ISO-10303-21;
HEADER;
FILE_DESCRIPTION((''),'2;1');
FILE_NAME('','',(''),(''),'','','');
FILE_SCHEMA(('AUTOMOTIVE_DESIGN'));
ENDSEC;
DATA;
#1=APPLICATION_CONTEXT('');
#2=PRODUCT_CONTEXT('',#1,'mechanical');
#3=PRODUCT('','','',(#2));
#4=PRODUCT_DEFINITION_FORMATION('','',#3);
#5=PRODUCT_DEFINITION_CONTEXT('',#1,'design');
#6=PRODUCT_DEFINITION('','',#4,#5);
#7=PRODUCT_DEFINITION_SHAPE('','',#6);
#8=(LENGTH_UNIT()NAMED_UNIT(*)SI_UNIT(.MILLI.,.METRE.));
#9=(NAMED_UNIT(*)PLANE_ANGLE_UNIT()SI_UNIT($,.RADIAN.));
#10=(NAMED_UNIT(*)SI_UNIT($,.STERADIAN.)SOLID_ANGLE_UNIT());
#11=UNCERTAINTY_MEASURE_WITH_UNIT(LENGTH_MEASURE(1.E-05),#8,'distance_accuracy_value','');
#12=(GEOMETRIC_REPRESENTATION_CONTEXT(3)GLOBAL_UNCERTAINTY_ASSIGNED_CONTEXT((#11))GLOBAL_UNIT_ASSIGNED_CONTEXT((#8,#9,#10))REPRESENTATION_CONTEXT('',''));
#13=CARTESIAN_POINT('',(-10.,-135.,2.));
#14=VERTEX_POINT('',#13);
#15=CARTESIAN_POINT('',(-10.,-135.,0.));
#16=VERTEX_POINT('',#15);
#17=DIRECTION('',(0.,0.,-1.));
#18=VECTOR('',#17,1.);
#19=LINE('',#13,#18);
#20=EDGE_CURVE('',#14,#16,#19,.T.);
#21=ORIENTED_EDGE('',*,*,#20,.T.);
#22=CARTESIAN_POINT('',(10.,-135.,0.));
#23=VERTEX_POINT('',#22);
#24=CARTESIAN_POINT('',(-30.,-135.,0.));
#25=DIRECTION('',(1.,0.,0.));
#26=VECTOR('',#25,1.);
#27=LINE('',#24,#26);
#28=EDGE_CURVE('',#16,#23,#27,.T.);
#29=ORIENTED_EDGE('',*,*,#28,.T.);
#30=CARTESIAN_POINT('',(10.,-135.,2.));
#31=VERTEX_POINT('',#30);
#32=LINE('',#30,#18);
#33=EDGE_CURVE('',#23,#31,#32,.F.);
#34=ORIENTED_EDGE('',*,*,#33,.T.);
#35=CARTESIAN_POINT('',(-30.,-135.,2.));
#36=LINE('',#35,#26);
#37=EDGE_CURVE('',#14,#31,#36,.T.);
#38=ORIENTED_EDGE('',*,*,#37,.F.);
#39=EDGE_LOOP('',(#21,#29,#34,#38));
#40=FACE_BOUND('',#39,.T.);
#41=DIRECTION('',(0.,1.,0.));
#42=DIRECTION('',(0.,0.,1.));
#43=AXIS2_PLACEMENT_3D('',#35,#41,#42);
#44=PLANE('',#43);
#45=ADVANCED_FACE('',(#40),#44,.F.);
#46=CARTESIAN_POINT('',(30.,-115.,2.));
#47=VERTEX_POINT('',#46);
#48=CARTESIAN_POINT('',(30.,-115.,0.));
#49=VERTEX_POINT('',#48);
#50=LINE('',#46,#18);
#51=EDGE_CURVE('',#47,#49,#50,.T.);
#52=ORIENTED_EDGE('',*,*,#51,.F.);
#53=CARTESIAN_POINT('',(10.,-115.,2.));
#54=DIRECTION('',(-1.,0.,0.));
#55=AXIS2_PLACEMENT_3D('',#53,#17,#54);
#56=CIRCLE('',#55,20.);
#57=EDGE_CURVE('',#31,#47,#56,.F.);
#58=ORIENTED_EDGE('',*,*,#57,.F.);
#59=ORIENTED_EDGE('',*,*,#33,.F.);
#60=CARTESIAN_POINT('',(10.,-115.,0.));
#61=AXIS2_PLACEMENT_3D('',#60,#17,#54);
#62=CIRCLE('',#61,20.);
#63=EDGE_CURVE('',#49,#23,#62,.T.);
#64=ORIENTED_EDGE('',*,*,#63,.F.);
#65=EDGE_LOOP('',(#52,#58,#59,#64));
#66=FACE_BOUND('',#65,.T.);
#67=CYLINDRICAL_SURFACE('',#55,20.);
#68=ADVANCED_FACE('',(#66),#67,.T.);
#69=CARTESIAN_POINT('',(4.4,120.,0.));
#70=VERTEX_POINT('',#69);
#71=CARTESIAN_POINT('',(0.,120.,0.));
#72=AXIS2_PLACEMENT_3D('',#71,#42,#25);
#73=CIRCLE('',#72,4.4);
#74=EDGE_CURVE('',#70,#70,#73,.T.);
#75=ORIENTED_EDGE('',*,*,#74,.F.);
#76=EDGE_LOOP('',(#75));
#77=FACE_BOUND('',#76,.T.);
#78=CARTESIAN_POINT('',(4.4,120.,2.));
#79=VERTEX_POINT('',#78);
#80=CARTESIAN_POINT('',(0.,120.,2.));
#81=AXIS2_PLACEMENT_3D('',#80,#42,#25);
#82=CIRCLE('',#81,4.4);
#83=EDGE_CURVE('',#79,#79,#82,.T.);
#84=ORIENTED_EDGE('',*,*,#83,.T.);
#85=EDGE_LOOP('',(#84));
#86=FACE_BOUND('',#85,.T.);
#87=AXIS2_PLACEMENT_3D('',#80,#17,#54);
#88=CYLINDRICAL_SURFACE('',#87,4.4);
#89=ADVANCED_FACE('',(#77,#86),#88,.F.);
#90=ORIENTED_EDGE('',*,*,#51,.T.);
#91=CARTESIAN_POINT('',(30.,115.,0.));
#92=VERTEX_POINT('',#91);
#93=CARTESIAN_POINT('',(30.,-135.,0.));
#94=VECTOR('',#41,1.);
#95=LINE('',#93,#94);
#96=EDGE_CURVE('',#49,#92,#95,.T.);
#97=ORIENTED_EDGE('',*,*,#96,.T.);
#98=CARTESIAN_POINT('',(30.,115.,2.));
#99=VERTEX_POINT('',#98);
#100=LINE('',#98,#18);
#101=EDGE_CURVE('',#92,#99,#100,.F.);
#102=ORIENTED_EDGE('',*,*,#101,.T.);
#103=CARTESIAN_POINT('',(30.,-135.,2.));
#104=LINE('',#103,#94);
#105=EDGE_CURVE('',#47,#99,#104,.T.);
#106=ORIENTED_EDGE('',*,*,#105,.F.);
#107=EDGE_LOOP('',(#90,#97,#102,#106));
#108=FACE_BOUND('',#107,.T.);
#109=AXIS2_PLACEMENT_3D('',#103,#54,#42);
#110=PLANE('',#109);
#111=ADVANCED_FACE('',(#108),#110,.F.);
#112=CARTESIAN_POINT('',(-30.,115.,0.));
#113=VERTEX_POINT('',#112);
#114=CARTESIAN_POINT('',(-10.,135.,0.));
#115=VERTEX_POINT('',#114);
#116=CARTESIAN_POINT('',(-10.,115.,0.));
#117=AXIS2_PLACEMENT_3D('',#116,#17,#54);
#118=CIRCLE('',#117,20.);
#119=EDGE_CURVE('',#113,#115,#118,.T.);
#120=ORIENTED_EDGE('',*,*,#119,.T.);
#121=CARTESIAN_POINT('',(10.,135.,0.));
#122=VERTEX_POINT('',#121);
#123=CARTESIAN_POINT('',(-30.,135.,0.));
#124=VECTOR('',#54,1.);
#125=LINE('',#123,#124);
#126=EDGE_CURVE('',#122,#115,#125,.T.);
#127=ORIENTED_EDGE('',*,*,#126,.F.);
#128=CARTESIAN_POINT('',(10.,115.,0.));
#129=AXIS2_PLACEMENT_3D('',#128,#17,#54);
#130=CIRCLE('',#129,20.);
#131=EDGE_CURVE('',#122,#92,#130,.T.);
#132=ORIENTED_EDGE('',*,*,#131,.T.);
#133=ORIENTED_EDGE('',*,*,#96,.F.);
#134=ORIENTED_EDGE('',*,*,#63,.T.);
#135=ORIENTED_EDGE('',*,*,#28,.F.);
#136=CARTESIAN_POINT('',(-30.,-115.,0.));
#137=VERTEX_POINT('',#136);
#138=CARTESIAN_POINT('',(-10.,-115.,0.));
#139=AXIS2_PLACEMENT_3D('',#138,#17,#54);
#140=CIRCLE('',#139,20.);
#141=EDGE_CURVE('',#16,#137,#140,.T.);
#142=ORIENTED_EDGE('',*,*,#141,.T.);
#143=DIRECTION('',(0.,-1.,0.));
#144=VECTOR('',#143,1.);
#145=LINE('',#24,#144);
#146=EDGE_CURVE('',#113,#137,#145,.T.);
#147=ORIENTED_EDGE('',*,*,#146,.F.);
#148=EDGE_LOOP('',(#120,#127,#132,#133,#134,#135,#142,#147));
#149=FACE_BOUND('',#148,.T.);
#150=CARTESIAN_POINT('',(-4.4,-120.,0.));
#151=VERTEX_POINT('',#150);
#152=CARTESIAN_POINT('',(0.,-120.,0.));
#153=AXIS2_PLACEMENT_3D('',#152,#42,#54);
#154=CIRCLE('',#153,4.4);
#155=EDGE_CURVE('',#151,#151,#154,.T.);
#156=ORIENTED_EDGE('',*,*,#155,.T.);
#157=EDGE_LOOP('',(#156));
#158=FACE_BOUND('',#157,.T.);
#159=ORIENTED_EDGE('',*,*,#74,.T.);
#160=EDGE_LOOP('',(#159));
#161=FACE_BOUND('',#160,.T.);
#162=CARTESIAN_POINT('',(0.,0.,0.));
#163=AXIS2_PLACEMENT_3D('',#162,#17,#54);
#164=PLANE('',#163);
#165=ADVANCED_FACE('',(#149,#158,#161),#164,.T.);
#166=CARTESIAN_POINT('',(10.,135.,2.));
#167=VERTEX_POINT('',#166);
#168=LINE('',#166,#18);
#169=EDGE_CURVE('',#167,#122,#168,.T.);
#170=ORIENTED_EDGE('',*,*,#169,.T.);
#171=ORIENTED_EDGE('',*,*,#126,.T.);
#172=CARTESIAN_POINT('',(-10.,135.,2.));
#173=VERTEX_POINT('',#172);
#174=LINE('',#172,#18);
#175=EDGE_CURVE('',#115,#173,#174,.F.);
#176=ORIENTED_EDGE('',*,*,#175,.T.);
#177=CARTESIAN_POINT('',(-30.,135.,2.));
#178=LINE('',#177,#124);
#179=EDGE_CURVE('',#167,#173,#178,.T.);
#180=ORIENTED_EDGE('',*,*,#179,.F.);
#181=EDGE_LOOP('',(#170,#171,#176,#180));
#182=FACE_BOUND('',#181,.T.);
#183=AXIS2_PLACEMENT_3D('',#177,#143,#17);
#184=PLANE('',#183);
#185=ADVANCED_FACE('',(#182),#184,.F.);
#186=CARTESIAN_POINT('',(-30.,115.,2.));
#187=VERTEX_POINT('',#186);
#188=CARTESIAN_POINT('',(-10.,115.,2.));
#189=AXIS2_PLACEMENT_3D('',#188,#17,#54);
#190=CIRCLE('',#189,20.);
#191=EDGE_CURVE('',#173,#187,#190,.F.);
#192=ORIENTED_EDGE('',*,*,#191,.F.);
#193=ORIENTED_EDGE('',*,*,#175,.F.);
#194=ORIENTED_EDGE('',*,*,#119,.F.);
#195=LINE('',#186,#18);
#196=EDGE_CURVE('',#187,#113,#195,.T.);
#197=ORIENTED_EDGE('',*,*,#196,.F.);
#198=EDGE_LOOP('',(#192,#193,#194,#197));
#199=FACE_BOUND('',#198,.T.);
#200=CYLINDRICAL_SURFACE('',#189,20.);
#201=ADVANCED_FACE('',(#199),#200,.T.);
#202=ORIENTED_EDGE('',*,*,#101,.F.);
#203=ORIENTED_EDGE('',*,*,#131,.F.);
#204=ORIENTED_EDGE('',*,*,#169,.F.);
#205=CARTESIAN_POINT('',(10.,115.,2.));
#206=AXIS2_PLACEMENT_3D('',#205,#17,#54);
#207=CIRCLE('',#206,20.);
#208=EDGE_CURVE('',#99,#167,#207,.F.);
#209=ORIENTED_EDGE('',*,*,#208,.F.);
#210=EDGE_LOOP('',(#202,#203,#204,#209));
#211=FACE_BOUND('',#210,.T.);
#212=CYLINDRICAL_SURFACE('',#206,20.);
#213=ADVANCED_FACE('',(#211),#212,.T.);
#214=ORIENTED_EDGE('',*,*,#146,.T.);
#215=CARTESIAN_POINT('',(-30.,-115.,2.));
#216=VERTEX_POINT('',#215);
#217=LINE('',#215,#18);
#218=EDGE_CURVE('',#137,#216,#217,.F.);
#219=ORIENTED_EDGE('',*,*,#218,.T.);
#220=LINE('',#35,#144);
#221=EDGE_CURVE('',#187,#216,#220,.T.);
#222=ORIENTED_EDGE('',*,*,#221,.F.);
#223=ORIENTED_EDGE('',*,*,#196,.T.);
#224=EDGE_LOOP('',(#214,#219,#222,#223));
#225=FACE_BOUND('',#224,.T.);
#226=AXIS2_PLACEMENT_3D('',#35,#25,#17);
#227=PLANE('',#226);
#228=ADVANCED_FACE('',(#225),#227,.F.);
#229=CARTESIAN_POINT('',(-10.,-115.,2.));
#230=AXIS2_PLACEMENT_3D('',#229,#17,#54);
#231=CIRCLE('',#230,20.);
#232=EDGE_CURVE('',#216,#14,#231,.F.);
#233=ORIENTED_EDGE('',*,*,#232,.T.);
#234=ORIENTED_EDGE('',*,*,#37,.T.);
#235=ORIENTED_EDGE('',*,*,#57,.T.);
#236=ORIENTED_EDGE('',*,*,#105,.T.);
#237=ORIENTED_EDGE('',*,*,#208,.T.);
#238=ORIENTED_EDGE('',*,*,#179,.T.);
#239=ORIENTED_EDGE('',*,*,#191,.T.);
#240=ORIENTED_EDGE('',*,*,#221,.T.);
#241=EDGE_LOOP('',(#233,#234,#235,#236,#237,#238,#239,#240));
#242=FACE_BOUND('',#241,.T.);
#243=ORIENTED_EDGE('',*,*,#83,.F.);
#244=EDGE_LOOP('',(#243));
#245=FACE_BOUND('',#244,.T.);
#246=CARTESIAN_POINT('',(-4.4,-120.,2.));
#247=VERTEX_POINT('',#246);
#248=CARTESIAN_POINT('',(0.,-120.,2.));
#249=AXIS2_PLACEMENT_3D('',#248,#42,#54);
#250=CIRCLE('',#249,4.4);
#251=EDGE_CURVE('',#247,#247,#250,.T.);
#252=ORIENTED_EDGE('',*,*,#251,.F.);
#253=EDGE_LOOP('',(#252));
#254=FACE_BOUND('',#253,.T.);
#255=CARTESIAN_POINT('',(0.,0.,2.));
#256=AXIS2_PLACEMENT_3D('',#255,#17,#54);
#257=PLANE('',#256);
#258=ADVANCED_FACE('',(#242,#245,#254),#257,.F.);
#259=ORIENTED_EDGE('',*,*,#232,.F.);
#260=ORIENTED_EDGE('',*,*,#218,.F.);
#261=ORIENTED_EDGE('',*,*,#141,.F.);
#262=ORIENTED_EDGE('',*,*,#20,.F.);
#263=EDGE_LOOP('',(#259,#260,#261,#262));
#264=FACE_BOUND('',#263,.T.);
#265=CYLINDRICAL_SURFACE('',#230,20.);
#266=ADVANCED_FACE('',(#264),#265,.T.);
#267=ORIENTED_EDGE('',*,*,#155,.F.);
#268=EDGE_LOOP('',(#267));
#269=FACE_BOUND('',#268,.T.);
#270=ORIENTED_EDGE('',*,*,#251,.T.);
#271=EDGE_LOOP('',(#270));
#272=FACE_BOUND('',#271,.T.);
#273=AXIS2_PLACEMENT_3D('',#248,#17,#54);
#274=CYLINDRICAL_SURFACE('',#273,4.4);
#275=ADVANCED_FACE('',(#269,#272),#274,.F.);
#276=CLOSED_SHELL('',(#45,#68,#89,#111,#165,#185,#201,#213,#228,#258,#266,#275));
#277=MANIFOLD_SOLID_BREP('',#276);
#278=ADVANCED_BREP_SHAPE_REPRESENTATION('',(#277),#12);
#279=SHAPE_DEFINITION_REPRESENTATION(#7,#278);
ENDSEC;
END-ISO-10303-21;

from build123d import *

# Parameters (mm, degrees)
SKETCH_1_W      = 60
SKETCH_1_H      = 270
SKETCH_1_R      = 4.4
EXTRUDE_1_DEPTH = 2
FILLET_1_R      = 20


with BuildPart() as part:
    # Эскиз1 → Бобышка-Вытянуть1 (new body)
    with BuildSketch(Plane.XY):
        Rectangle(SKETCH_1_W, SKETCH_1_H)
        with Locations((0, 120)):
            Circle(SKETCH_1_R, mode=Mode.SUBTRACT)
        with Locations(Location((0, -120, 0), (0, 0, 180))):
            Circle(SKETCH_1_R, mode=Mode.SUBTRACT)
    extrude(amount=EXTRUDE_1_DEPTH)

    # Скругление1
    fillet_1_edges = [part.edges().sort_by_distance(p)[0] for p in [
        (30, -135, 1),
        (-30, -135, 1),
        (-30, 135, 1),
        (30, 135, 1),
    ]]
    fillet(fillet_1_edges, radius=FILLET_1_R)


solid = part.part
